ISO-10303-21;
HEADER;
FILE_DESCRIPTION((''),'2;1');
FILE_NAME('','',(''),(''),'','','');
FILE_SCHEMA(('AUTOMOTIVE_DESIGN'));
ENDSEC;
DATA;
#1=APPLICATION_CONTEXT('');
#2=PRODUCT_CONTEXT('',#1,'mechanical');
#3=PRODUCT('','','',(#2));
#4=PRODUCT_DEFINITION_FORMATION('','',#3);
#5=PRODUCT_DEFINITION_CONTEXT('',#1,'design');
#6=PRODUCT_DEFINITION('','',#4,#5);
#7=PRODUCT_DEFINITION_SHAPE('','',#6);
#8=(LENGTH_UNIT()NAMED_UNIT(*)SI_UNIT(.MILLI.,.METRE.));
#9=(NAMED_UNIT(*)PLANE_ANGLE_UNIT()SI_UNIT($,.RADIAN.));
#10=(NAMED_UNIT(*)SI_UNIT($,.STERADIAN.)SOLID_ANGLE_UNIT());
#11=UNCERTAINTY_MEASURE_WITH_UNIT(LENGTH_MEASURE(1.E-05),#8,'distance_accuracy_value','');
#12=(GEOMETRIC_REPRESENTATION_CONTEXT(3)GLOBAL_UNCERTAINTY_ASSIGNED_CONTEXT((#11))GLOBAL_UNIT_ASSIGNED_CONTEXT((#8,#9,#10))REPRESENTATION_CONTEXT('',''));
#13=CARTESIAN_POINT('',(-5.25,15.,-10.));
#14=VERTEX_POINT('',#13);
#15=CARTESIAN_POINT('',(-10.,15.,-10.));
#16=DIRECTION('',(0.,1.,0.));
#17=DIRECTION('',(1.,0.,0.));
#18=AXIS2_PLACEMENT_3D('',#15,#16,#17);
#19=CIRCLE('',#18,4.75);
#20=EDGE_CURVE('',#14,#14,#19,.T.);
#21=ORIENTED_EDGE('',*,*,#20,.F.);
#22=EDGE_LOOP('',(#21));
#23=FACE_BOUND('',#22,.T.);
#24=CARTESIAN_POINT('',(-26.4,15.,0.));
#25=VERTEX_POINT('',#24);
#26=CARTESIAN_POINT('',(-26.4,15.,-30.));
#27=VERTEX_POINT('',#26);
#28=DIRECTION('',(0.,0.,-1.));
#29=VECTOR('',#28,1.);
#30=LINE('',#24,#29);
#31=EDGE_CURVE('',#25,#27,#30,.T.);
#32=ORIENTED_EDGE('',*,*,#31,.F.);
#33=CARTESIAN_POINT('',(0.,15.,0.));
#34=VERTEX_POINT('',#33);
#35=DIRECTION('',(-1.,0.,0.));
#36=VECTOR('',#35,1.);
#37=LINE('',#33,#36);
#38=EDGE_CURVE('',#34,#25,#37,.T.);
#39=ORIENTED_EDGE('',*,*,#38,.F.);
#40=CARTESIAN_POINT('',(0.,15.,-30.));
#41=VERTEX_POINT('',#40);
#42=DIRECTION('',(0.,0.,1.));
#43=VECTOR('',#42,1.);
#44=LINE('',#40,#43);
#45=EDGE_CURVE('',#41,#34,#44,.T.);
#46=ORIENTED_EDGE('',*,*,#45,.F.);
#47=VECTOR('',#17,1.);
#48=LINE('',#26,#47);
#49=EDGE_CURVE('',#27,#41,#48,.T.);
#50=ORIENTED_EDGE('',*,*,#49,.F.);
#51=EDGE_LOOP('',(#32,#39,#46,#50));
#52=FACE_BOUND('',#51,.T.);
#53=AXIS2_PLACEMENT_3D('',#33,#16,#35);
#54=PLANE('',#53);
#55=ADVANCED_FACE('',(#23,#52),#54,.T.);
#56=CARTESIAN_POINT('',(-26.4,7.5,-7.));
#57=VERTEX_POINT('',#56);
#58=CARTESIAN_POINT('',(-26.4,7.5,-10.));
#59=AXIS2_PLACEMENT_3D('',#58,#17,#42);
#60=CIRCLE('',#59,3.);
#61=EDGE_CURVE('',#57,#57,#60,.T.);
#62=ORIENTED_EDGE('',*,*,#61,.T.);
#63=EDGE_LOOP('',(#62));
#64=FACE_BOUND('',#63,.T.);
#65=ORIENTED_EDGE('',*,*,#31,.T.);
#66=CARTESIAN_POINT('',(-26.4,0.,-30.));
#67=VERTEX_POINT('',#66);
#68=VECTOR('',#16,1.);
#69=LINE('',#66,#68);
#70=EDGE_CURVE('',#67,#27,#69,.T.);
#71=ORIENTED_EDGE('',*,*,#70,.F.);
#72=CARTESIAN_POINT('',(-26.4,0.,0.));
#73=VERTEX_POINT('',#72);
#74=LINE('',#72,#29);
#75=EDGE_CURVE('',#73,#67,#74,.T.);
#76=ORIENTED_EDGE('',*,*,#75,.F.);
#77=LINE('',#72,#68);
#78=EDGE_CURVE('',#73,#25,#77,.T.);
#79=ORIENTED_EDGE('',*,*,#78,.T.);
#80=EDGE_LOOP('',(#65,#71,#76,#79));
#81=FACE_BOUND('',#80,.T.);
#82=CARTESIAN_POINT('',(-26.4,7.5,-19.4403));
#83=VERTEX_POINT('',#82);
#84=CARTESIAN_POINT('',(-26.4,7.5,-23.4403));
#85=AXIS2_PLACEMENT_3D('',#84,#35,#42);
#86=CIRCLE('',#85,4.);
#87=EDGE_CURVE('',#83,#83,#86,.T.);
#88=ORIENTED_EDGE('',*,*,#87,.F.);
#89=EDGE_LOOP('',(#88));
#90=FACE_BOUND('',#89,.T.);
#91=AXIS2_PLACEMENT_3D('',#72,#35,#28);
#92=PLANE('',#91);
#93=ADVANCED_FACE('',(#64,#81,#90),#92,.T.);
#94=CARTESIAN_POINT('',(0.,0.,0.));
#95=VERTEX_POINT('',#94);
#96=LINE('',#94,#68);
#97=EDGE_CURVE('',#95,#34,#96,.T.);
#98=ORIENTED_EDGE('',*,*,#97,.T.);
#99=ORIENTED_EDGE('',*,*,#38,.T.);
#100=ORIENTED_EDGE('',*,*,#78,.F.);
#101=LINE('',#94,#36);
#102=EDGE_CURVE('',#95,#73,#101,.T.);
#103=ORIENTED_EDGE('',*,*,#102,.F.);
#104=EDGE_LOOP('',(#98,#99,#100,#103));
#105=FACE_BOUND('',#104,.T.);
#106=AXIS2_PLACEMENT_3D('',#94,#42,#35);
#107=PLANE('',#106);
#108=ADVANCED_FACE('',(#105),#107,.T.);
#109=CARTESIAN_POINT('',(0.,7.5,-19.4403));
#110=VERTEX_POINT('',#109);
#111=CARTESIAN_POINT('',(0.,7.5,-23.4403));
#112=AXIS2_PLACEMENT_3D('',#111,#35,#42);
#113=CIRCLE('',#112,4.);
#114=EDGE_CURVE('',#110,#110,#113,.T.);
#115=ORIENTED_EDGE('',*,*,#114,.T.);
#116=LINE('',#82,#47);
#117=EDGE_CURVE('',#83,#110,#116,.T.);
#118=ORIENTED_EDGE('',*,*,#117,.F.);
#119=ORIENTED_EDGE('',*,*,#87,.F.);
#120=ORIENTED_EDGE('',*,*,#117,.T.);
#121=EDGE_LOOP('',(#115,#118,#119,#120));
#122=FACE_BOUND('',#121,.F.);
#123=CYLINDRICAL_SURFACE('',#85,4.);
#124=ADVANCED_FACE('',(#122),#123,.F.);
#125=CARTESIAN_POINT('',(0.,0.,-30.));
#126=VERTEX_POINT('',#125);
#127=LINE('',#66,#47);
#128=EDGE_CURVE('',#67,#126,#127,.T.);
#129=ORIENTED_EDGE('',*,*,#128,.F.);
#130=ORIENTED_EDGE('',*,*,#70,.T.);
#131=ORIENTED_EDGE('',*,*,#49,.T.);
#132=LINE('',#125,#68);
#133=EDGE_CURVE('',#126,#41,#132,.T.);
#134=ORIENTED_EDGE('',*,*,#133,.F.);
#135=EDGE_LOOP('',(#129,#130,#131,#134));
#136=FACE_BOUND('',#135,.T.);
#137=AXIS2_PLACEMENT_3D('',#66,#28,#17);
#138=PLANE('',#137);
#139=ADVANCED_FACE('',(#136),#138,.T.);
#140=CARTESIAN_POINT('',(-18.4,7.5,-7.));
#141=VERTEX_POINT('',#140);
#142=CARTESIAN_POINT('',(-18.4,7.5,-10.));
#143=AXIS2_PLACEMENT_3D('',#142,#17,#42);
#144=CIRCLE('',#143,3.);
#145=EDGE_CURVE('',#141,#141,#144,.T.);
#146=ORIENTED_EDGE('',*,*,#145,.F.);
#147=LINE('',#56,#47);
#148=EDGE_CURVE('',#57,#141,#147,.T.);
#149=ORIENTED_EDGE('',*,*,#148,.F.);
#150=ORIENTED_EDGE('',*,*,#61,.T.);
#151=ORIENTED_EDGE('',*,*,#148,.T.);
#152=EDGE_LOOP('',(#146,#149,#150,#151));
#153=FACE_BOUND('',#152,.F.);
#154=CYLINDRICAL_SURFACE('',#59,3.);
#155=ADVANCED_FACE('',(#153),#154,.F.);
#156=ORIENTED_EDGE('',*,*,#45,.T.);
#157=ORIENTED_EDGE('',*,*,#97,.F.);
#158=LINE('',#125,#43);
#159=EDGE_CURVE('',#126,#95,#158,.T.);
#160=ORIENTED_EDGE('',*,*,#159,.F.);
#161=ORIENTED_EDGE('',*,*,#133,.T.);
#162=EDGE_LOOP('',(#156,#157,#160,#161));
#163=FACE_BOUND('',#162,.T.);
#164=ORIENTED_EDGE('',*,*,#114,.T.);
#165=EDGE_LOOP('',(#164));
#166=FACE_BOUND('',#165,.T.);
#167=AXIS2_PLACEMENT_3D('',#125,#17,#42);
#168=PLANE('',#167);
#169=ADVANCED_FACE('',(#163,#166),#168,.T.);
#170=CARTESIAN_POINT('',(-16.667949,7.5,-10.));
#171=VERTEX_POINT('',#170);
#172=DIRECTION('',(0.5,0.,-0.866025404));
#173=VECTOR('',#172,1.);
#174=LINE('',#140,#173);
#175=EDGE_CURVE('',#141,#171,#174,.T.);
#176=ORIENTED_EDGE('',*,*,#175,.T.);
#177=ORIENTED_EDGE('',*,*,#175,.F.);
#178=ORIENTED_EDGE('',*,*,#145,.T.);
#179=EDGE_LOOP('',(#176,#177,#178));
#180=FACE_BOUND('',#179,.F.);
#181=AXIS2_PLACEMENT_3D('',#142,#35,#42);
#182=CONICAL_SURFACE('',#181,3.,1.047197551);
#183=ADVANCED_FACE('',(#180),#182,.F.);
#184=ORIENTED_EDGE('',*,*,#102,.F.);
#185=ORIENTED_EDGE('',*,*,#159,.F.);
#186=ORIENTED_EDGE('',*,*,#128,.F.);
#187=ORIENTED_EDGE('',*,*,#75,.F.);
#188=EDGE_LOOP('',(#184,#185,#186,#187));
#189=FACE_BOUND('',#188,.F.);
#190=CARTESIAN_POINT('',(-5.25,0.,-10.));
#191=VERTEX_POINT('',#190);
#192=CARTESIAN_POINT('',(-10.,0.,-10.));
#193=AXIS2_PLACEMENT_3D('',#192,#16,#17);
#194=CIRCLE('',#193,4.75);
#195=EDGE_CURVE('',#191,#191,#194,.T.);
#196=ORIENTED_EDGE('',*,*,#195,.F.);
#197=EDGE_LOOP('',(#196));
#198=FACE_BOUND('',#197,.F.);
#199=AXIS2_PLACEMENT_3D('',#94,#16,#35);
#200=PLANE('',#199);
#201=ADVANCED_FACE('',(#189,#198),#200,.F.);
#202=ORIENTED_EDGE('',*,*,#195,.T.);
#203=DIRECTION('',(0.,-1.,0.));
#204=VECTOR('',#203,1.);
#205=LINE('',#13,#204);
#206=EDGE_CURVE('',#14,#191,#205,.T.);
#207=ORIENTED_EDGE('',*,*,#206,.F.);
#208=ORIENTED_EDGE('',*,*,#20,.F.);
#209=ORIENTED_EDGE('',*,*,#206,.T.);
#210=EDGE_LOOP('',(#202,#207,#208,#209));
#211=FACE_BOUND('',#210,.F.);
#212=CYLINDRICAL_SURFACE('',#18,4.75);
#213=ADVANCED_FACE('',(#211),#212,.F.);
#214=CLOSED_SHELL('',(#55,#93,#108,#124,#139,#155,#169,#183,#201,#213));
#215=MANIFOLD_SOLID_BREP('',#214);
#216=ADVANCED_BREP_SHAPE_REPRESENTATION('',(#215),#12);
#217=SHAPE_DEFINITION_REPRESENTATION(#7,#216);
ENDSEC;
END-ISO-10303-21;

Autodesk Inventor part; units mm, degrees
ref_plane "YZ Plane" through (0, 0, 0) normal (1, 0, 0) x (0, 1, 0)
ref_plane "XZ Plane" through (0, 0, 0) normal (0, 1, 0) x (-1, 0, 0)
ref_plane "XY Plane" through (0, 0, 0) normal (0, 0, 1) x (1, 0, 0)
sketch "Sketch1" plane through (0, 0, 0) normal (0, 1, 0) x (-1, 0, 0)
  line L0 (0, 0) -> (26.4, 0)
  line L1 (26.4, 0) -> (26.4, -30)
  line L2 (26.4, -30) -> (0, -30)
  line L3 (0, -30) -> (0, 0)
  dimension "d0" = 26.4
  dimension "d1" = 30
extrude "Extrusion1" add sketch "Sketch1" along normal blind 15
sketch "Sketch2" plane through (0, 15, 0) normal (0, 1, 0) x (1, 0, 0)
  circle A0 centre (-10, 10) radius 4.75
  line L0 (0, 0) -> (0, 30) projected
  line L1 (-26.4, 0) -> (0, 0) projected
  dimension "d4" = 9.5
  dimension "d5" = 10
  dimension "d6" = 10
extrude "Extrusion2" cut sketch "Sketch2" against normal blind 15
sketch "Sketch3" plane through (-26.4, 0, -30) normal (-1, 0, 0) x (0, 0, 1)
  line L0 (24.75, 0) -> (15.25, 0) projected
  line L1 (15.25, 15) -> (24.75, 15) projected
  line L2 (24.75, 15) -> (24.75, 0) projected
  line L3 (15.25, 15) -> (15.25, 0) projected
  circle A0 centre (20, 7.5) radius 2
  point P0 (30, 0)
  dimension "d12" = 4
hole "Hole1" at (-26.4, 7.5, -10) direction (1, 0, 0) diameter 6 depth 8 tip angle 120
sketch "Sketch4" plane through (-26.4, 0, -30) normal (-1, 0, 0) x (0, 0, 1)
  line L0 (0, 0) -> (0, 15) projected
  circle A0 centre (6.5597, 7.5) radius 4
  point P0 (30, 0)
  dimension "d20" = 8
extrude "Extrusion3" cut sketch "Sketch4" against normal blind 32.75
thread "Thread1" size "M10x1.5" class "6H" standard "ANSI Metric M Profile" full length
thread "Thread2" size "M8x1.25" class "6H" standard "ANSI Metric M Profile" full length
properties part number "КВ33.000.109 - Каретка"
